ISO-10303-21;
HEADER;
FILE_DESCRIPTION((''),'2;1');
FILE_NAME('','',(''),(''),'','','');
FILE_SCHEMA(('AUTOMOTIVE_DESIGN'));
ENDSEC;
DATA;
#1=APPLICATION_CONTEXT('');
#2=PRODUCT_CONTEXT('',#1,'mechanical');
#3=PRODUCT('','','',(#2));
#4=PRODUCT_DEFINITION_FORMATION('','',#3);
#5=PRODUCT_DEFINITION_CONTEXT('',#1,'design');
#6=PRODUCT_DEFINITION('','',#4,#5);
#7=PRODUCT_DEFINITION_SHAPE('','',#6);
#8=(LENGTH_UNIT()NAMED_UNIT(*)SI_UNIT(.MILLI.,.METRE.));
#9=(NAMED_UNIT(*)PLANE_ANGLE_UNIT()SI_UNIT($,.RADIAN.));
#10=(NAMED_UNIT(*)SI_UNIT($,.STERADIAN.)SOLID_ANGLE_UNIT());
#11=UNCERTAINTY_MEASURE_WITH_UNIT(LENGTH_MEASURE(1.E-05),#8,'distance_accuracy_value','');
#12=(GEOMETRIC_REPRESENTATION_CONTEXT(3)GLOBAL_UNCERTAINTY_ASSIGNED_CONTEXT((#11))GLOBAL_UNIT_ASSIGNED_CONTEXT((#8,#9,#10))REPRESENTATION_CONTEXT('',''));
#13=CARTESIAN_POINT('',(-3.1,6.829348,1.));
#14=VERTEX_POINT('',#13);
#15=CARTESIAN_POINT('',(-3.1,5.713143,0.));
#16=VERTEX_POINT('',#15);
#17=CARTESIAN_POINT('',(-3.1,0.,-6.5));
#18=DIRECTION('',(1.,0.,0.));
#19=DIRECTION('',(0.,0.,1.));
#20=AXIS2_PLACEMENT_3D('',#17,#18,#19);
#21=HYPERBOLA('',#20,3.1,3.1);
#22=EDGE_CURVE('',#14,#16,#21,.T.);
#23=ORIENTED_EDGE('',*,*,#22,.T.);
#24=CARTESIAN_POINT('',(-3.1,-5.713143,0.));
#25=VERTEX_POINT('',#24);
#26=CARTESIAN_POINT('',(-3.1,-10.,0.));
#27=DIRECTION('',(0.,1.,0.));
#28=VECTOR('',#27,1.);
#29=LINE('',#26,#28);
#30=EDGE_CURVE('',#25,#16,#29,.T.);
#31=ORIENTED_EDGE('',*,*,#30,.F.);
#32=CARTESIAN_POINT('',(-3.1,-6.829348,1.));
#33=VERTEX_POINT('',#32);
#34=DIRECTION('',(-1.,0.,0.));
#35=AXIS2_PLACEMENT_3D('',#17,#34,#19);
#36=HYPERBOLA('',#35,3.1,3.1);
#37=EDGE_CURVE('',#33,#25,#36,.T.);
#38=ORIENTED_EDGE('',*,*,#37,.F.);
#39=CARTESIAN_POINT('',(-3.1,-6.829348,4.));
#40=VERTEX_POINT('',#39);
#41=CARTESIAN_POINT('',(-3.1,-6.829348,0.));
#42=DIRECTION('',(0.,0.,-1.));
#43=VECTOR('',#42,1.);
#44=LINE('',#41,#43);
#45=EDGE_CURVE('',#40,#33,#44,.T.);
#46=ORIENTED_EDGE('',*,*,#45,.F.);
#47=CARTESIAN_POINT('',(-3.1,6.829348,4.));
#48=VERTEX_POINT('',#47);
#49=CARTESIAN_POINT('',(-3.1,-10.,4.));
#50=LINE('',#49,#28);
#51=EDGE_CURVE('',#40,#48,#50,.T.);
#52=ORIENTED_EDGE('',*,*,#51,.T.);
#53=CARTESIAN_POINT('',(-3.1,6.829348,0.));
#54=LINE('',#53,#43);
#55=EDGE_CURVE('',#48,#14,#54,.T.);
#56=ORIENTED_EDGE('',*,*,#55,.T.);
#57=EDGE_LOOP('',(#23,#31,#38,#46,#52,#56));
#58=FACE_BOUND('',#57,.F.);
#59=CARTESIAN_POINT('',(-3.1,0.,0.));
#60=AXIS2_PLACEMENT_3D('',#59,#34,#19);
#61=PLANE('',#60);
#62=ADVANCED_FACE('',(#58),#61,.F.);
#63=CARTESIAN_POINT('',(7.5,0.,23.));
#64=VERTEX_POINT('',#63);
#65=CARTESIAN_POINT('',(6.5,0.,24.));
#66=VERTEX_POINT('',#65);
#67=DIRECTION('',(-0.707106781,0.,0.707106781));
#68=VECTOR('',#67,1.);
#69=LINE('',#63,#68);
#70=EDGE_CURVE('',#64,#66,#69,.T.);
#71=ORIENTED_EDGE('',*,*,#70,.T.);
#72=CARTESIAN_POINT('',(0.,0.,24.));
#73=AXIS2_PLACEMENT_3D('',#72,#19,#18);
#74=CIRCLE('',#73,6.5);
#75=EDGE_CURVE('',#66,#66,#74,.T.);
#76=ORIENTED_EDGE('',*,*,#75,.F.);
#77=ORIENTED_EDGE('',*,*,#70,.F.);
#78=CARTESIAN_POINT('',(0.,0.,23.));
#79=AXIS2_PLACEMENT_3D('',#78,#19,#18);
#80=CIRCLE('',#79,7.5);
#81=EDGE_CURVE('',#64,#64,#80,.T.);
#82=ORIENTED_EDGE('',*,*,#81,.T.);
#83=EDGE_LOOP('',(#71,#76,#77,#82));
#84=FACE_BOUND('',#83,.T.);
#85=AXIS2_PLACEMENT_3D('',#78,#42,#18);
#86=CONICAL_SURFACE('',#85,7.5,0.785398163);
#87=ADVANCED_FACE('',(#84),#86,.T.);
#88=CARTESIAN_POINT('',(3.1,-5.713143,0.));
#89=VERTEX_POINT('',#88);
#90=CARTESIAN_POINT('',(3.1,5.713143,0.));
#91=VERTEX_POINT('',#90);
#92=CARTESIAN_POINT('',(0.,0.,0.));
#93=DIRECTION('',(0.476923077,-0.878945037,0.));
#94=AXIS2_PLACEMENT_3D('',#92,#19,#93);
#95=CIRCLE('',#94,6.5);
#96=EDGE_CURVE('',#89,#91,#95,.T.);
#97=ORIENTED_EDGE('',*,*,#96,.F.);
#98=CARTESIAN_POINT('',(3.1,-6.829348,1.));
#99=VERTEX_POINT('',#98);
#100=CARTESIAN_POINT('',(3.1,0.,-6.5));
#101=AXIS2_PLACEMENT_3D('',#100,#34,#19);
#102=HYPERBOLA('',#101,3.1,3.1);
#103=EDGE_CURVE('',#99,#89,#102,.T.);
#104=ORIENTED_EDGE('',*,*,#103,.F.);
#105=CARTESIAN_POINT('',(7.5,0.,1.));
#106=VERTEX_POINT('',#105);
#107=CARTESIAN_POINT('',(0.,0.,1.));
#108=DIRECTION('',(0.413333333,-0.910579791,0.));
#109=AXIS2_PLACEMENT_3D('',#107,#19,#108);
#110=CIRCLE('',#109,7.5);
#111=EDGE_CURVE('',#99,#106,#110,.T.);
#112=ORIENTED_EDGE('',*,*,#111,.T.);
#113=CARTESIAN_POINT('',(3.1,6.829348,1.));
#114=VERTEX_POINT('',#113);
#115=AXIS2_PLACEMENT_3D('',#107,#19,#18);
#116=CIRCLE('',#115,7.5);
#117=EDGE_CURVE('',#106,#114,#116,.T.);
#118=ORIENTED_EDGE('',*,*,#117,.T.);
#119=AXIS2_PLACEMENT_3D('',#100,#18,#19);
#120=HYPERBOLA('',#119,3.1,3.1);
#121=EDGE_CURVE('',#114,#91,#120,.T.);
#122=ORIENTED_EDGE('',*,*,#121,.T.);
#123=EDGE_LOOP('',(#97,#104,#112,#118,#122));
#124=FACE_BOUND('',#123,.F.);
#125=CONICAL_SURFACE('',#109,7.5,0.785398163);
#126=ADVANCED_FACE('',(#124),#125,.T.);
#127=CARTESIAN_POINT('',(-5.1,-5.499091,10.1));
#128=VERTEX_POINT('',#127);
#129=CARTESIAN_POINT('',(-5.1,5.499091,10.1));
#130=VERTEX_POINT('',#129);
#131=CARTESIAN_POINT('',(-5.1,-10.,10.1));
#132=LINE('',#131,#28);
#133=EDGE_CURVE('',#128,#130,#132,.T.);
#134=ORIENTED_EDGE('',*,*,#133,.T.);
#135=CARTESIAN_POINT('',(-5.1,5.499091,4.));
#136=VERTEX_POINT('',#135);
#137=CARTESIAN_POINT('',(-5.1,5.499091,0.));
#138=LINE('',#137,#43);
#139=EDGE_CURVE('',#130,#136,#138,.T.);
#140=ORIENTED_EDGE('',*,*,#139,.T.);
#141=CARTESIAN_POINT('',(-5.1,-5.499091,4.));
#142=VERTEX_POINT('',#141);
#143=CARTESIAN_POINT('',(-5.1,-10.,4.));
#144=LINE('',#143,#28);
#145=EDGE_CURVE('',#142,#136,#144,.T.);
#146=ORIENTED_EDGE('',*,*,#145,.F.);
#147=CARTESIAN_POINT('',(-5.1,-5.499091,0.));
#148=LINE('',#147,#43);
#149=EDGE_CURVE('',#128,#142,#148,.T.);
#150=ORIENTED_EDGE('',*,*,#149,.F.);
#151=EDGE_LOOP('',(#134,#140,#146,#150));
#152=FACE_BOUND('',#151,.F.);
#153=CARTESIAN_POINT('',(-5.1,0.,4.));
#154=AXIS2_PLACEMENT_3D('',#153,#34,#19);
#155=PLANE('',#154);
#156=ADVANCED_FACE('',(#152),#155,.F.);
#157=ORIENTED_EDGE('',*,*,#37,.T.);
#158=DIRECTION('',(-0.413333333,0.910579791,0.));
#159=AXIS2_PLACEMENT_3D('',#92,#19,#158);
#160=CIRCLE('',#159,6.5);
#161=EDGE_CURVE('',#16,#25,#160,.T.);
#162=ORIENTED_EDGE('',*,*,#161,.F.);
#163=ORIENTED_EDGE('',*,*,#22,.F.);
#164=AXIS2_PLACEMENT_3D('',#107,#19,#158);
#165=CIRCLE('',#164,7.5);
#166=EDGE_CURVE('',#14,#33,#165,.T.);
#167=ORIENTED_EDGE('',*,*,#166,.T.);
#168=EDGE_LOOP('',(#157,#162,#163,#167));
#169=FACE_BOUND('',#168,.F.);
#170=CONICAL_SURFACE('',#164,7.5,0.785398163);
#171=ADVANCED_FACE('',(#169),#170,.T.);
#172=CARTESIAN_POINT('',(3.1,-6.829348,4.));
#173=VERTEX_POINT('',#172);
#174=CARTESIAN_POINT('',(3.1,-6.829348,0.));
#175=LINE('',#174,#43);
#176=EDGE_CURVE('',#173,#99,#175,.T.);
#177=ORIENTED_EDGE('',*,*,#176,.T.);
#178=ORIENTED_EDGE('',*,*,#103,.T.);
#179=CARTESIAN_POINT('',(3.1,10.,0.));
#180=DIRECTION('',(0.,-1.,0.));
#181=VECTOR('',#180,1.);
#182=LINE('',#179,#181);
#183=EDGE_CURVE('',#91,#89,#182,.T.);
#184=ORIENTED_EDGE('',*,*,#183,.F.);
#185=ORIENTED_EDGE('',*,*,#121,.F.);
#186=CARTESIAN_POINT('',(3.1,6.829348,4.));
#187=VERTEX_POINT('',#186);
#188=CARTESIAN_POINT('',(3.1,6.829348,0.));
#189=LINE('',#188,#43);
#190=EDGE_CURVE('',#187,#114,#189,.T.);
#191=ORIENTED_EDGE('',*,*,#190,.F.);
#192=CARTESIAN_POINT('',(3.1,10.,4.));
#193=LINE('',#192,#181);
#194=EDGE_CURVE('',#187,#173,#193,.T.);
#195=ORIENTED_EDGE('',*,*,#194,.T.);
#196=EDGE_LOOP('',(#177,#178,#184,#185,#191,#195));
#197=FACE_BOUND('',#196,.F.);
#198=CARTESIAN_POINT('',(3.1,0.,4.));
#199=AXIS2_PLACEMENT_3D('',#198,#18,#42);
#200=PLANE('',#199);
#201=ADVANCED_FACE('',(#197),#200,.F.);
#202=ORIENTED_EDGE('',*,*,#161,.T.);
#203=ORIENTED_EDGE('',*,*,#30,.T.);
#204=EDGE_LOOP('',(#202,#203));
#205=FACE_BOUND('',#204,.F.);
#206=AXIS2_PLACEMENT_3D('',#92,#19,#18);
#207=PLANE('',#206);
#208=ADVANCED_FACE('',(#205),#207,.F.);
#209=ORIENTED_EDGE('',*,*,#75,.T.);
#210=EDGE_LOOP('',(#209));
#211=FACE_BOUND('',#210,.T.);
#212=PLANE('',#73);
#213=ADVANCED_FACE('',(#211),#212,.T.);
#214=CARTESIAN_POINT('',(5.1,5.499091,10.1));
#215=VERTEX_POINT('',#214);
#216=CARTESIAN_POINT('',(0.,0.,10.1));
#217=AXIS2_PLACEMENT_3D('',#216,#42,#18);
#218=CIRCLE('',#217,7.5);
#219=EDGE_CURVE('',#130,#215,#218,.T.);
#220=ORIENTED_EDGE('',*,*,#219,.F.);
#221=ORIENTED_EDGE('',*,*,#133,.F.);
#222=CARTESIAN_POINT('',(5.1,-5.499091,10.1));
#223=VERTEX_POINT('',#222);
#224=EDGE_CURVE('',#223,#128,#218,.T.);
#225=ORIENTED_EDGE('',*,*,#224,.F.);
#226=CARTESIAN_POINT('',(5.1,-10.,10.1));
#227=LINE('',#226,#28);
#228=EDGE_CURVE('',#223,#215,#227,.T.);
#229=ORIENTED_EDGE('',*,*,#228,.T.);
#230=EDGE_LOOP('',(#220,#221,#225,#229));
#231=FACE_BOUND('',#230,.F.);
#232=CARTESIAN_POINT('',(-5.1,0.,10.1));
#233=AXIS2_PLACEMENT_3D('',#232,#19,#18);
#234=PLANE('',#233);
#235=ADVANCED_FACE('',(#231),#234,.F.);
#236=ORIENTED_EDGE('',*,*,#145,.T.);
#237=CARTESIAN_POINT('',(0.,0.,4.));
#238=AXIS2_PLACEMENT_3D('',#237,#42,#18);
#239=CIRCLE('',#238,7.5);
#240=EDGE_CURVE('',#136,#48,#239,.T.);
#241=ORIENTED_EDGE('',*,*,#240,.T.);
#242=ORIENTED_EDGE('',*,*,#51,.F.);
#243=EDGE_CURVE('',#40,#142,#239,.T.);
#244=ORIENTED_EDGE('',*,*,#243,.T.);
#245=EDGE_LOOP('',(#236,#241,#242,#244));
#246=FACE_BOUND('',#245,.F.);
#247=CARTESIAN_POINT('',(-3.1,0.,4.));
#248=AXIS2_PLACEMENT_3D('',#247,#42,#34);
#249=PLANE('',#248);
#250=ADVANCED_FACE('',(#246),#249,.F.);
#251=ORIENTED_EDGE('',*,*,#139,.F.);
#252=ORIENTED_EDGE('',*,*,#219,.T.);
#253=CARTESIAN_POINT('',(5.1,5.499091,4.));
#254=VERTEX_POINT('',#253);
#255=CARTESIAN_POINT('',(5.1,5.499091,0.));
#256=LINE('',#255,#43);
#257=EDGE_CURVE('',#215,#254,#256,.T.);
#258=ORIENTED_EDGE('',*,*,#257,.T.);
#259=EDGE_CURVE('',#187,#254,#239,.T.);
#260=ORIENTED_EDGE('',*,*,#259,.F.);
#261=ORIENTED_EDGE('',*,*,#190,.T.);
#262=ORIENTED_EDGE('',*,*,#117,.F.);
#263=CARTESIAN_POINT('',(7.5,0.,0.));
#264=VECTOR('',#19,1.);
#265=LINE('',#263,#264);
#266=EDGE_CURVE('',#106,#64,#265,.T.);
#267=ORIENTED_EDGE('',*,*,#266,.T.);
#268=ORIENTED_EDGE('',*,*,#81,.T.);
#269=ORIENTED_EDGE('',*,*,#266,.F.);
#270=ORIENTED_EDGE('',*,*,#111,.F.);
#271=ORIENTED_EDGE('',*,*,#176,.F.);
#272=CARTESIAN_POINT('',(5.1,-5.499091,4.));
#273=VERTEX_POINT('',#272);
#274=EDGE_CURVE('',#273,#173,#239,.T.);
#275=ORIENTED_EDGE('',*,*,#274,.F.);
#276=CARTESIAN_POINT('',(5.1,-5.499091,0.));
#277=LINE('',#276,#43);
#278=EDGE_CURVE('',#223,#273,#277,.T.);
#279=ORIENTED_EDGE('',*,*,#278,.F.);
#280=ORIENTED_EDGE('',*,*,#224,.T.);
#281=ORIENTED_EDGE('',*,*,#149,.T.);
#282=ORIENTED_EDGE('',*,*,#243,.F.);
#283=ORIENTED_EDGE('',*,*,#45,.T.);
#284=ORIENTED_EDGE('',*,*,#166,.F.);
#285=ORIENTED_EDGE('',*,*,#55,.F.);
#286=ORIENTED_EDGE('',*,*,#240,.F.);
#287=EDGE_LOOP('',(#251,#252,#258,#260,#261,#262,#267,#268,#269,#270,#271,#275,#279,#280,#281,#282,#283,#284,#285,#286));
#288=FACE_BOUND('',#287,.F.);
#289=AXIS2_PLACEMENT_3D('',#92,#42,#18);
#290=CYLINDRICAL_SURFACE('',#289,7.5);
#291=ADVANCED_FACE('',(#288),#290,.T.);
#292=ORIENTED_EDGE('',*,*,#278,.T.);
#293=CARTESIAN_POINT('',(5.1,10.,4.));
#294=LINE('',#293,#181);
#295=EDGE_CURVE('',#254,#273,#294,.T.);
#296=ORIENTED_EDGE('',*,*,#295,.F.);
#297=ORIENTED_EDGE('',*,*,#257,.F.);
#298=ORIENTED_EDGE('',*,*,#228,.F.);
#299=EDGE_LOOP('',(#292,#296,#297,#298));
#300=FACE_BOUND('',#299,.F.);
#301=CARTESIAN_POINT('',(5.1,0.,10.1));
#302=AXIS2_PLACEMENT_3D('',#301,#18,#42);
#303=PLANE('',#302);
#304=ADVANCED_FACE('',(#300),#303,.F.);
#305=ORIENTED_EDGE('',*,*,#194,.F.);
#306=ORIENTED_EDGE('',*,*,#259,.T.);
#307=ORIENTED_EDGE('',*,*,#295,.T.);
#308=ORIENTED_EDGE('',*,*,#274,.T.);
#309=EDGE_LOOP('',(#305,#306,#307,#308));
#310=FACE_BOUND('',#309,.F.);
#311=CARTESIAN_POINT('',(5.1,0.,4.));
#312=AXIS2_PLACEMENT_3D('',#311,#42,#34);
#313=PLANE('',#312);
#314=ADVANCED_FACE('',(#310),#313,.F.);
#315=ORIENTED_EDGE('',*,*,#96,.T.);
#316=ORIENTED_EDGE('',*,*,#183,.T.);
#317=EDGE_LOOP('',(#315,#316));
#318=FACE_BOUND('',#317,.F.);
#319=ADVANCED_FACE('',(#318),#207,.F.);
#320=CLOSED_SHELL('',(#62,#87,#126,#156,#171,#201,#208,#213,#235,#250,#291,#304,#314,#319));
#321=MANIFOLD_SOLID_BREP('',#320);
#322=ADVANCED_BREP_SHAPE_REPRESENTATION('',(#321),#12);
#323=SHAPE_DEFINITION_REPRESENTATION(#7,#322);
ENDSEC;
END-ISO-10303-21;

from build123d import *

# Parameters (mm, degrees)
SKETCH_1_R          = 7.5
EXTRUDE_1_DEPTH     = 24
CUT_EXTRUDE_1_DEPTH = 10
CHAMFER_1_SIZE      = 1
CHAMFER_2_SIZE      = 1


with BuildPart() as part:
    # 草图1 → 凸台-拉伸1 (new body)
    with BuildSketch(Plane.XY):
        Circle(SKETCH_1_R)
    extrude(amount=EXTRUDE_1_DEPTH)

    # 草图2 → 切除-拉伸1 (cut, symmetric)
    with BuildSketch(Plane(origin=(0, 0, 0), x_dir=(1, 0, 0), z_dir=(0, 1, 0))):
        Polygon((3.1, 0), (-3.1, 0), (-3.1, -4), (-5.1, -4), (-5.1, -10.1), (5.1, -10.1), (5.1, -4), (3.1, -4), align=None)
    extrude(amount=CUT_EXTRUDE_1_DEPTH, both=True, mode=Mode.SUBTRACT)

    # 倒角1
    chamfer_1_edges = [part.edges().sort_by_distance(p)[0] for p in [
        (-7.5, 0, 24),
    ]]
    chamfer(chamfer_1_edges, length=CHAMFER_1_SIZE)

    # 倒角2
    chamfer_2_edges = [part.edges().sort_by_distance(p)[0] for p in [
        (-7.5, 0, 0),
        (6.304760106, -4.062019202, 0),
    ]]
    chamfer(chamfer_2_edges, length=CHAMFER_2_SIZE)


solid = part.part
